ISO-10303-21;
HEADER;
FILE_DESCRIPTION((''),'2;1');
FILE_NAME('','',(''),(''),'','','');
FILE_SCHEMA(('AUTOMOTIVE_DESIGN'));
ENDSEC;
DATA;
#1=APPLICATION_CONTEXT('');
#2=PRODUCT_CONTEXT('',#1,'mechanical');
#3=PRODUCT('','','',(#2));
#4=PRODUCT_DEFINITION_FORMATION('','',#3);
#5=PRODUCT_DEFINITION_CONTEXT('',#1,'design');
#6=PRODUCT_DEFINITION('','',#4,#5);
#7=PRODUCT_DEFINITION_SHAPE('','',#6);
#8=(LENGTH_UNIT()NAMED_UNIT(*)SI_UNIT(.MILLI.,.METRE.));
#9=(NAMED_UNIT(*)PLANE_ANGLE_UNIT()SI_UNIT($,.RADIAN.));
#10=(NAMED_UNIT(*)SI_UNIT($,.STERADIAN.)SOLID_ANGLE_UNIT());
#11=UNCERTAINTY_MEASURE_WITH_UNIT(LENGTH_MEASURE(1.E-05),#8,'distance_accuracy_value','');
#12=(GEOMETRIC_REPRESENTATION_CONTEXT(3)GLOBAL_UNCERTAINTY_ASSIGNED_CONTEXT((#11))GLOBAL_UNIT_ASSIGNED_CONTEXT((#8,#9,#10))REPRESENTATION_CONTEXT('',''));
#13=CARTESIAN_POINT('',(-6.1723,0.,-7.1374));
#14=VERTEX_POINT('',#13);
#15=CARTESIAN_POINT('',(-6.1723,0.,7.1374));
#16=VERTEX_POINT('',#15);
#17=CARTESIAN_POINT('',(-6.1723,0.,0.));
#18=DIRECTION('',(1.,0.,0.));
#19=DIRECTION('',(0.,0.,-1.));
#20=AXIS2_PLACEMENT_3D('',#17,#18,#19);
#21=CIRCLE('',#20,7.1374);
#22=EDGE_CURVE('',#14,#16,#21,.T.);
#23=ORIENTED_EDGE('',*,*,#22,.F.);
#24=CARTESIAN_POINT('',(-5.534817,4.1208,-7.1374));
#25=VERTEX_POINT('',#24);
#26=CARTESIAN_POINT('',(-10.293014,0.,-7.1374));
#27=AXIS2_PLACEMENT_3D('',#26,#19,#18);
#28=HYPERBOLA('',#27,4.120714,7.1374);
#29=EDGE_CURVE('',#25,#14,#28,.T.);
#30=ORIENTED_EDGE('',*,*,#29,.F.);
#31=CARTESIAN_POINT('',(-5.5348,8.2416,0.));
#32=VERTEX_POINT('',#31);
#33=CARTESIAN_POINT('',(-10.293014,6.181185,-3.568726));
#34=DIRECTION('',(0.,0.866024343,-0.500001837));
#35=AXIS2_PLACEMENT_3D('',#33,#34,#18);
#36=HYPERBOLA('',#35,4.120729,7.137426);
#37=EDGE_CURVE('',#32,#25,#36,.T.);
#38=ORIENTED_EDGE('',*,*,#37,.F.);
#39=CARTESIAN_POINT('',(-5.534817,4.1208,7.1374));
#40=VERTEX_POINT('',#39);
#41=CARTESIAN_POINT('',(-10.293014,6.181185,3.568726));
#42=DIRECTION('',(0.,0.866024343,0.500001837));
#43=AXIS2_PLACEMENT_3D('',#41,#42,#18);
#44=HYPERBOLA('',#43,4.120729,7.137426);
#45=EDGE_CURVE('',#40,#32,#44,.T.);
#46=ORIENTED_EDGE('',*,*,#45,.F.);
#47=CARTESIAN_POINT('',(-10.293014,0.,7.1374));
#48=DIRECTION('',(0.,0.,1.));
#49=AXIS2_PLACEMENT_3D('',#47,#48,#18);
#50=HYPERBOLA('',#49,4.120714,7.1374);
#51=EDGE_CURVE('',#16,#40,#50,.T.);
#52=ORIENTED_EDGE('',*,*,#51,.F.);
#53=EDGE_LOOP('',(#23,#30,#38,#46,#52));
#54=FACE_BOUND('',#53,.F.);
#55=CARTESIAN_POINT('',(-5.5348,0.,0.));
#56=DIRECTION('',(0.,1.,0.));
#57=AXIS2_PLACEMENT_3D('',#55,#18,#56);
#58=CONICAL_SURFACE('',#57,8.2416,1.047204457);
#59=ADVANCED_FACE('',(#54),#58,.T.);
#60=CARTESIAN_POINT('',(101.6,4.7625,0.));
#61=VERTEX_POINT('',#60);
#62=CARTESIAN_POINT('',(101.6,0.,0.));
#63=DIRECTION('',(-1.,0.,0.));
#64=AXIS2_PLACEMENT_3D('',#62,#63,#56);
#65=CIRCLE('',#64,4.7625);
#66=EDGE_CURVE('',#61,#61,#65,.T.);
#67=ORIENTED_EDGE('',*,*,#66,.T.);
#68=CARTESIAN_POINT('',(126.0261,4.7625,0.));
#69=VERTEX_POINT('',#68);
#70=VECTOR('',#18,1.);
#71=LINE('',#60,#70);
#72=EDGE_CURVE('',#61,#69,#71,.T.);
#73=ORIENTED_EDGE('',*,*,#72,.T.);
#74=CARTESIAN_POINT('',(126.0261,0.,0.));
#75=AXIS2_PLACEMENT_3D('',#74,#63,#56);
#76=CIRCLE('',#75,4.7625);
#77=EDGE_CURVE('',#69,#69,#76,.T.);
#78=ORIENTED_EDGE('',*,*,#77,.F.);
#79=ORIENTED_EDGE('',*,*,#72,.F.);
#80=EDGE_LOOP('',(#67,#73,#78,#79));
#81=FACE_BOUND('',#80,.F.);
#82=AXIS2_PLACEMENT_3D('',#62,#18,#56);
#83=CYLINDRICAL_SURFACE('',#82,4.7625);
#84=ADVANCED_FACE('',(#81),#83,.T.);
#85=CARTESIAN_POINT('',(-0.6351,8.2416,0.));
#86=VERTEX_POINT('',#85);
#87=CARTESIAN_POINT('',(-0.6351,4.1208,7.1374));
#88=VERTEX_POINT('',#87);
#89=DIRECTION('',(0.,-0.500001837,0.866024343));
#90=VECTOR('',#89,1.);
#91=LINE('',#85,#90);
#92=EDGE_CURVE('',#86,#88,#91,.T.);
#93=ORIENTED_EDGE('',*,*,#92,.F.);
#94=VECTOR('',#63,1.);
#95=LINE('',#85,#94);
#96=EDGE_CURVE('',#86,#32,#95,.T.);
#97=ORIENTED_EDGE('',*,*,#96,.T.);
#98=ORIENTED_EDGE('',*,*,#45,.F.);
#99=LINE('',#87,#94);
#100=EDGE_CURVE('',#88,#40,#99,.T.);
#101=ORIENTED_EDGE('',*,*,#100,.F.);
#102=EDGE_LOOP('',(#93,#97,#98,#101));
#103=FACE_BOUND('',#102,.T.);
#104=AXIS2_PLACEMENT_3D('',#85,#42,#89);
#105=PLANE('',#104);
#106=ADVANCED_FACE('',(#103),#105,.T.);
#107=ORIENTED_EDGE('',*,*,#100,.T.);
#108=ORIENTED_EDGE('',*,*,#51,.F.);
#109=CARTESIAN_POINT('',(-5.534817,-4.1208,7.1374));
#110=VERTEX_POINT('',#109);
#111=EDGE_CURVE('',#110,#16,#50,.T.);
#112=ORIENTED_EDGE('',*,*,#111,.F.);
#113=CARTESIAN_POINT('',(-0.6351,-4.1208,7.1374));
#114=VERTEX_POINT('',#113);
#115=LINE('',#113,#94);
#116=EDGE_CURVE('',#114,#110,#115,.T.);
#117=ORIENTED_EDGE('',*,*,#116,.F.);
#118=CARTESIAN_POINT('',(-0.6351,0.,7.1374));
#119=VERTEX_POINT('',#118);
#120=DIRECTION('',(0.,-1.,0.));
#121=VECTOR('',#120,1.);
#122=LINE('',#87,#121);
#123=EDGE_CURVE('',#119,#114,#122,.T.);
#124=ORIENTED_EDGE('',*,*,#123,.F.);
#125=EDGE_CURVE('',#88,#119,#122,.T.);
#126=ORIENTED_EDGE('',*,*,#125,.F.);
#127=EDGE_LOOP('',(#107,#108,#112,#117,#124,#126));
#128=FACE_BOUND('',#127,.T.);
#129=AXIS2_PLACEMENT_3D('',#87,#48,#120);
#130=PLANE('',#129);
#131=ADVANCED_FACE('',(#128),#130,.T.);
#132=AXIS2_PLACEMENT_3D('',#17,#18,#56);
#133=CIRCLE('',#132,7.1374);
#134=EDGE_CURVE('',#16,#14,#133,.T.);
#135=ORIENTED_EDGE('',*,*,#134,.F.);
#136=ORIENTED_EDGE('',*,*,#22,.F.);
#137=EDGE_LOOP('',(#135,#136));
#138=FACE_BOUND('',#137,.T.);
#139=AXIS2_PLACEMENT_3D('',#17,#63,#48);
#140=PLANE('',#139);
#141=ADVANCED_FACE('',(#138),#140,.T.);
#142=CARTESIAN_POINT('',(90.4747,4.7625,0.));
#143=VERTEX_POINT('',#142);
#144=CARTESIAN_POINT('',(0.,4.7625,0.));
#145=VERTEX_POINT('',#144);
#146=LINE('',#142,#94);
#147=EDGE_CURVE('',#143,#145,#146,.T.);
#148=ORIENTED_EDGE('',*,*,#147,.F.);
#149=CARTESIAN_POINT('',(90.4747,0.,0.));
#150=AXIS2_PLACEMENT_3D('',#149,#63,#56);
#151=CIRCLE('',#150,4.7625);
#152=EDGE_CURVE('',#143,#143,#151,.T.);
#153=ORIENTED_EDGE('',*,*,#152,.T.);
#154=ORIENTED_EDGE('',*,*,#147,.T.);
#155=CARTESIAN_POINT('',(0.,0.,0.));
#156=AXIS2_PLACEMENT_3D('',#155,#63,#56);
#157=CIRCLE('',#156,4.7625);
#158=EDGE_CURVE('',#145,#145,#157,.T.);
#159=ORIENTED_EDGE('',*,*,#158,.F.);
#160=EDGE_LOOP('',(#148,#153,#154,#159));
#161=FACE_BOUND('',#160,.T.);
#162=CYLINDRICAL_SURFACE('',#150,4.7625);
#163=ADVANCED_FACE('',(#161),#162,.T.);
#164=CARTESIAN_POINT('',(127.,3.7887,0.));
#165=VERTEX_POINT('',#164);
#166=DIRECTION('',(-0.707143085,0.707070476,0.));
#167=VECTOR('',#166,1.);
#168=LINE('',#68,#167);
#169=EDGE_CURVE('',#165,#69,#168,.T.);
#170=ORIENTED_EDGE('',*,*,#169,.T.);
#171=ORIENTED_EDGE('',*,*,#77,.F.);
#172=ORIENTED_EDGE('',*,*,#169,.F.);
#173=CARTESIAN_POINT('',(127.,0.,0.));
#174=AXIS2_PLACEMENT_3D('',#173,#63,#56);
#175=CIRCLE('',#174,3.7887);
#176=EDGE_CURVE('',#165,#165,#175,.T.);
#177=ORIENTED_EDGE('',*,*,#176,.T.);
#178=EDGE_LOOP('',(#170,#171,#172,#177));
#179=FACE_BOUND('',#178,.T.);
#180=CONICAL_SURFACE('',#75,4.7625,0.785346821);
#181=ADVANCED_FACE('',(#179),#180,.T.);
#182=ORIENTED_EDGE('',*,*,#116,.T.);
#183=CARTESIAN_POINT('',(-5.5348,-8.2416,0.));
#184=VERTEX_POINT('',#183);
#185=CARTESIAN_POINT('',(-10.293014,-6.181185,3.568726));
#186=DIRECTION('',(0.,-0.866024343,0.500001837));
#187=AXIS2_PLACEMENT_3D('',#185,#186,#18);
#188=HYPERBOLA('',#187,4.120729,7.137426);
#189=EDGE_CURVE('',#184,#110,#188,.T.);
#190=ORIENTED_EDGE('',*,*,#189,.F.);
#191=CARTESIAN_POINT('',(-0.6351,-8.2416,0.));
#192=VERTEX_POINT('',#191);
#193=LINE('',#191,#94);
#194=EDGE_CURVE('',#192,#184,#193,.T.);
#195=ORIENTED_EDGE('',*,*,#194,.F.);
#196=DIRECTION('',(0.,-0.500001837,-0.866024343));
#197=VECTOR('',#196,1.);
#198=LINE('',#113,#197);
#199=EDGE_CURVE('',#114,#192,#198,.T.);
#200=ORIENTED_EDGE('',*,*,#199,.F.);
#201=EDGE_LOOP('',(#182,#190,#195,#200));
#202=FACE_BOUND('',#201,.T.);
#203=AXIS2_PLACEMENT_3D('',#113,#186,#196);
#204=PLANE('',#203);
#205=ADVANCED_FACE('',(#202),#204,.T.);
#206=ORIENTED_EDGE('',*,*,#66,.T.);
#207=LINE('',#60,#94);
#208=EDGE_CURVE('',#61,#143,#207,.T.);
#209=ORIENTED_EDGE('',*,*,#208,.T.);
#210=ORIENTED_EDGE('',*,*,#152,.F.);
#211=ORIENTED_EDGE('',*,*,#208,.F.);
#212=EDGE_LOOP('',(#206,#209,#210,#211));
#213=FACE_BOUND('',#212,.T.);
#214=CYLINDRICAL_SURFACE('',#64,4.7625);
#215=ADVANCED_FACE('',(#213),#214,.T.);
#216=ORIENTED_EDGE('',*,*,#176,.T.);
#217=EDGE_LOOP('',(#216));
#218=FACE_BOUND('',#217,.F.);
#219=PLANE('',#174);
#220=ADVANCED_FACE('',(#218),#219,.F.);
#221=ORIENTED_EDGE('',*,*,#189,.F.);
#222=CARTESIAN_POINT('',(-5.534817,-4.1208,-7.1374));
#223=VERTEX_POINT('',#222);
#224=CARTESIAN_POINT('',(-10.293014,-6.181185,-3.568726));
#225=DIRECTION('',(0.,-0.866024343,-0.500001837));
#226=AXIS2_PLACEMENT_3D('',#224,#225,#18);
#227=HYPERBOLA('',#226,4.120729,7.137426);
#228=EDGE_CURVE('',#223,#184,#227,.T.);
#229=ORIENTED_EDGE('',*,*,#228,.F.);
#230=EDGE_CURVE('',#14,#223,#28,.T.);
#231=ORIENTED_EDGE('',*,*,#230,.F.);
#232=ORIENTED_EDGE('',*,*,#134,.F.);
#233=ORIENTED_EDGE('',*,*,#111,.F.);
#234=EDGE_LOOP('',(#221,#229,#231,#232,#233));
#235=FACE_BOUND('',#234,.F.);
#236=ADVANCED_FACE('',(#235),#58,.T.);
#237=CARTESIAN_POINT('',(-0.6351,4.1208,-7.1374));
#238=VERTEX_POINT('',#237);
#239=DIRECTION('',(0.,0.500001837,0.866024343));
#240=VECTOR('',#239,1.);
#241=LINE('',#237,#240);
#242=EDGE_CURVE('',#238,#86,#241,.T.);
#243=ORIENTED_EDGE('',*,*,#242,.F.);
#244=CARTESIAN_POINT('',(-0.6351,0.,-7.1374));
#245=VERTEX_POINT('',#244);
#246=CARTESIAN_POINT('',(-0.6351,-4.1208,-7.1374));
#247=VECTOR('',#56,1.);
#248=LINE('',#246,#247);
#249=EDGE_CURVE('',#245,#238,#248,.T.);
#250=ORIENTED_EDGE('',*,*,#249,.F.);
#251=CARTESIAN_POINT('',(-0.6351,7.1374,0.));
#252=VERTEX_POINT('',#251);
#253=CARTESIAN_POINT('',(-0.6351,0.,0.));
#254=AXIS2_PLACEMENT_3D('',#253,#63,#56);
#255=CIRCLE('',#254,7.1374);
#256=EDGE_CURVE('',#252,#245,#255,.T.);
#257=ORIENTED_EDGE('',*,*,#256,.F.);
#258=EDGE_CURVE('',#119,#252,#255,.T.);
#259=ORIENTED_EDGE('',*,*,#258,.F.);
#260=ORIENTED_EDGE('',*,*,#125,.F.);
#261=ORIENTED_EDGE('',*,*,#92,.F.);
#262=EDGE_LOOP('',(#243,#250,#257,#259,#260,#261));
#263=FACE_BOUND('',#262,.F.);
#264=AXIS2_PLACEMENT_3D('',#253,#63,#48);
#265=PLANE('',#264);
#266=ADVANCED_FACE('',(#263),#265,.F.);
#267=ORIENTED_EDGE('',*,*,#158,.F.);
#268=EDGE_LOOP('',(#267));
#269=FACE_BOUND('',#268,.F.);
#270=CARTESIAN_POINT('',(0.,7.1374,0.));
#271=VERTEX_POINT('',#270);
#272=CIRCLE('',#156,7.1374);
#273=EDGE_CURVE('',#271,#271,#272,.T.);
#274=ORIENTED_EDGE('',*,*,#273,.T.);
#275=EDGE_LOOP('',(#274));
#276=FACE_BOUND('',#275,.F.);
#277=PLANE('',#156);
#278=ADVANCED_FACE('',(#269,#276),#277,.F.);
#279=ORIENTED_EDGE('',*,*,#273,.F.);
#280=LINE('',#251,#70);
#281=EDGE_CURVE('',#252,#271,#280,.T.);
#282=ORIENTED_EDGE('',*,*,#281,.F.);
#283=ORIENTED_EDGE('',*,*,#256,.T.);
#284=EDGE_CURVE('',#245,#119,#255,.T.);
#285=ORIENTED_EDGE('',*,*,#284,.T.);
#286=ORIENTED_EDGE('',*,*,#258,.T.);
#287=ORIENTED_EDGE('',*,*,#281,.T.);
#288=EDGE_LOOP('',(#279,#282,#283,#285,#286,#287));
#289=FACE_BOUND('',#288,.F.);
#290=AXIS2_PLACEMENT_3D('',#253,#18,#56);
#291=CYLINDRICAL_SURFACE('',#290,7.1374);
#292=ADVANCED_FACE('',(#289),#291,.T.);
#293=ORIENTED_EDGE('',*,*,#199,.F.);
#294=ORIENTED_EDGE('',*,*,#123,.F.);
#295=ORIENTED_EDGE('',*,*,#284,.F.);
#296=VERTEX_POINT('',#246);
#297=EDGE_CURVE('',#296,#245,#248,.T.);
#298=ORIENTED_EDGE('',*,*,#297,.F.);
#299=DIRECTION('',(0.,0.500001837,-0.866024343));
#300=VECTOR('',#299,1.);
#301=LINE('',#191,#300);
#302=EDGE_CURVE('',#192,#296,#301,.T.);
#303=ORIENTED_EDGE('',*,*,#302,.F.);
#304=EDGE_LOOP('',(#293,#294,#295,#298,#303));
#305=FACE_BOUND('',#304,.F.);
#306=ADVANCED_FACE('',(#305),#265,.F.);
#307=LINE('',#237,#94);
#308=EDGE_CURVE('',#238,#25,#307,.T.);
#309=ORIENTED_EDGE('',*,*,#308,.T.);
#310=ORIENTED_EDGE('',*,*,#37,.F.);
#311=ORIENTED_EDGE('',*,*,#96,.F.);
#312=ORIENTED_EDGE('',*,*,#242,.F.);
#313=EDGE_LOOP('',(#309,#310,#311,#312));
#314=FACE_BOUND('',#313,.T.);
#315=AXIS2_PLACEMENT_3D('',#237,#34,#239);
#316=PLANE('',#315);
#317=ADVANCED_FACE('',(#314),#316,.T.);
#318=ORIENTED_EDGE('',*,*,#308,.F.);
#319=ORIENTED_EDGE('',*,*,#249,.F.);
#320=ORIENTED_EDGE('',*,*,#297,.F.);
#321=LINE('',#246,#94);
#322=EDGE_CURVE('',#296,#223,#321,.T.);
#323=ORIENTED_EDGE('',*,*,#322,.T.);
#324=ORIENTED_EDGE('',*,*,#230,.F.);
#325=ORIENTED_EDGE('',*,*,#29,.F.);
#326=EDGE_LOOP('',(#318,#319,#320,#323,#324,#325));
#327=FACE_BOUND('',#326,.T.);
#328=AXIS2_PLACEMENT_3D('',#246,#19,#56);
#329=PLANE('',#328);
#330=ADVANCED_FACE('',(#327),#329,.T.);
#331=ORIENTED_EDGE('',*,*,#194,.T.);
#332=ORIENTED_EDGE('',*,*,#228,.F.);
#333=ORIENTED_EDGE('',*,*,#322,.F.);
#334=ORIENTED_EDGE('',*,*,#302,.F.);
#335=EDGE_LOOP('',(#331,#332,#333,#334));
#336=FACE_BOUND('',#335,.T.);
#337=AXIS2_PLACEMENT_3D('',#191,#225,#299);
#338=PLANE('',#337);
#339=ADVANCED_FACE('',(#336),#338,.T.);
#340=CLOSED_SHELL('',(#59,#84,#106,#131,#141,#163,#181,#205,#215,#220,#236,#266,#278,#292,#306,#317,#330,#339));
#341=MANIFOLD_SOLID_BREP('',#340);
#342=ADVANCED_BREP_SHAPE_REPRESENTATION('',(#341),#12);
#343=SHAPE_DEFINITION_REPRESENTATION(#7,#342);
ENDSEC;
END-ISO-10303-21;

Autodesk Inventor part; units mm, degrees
ref_plane "YZ Plane" through (0, 0, 0) normal (1, 0, 0) x (0, 1, 0)
ref_plane "XZ Plane" through (0, 0, 0) normal (0, 1, 0) x (-1, 0, 0)
sketch "Sketch1" plane through (0, 0, 0) normal (0, 0, 1) x (1, 0, 0)
  line L0 (0, 7.1374) -> (0, 4.7625)
  line L1 (101.6, 4.7625) -> (127, 4.7625)
  line L2 (127, 4.7625) -> (127, 0)
  line L3 (127, 0) -> (-0.6351, 0)
  line L4 (-26.1621, 0) -> (152.527, 0) projected
  line L5 (-0.6351, 0) -> (-0.6351, 7.1374)
  line L6 (-0.6351, 7.1374) -> (0, 7.1374)
  line L7 (101.6, 4.7625) -> (90.4747, 4.7625)
  line L8 (90.4747, 4.7625) -> (0, 4.7625)
  line L9 (0, -1.4275) -> (0, 8.5649) projected
  dimension "d0" = 127
  dimension "d1" = 25.4
  dimension "d2" = 9.525
  dimension "d9" = 0.6351
  dimension "d10" = 14.2748
  dimension "d13" = 11.1253
  dimension "d14" = 9.525
revolve "Body" add sketch "Sketch1" angle 360 about axis through (127, 0, 0) along (-1, 0, 0)
sketch "Sketch2" plane through (-0.6351, 0, 0) normal (-1, 0, 0) x (0, 0, 1)
  line L0 (0, 8.2416) -> (7.1374, 4.1208)
  line L1 (7.1374, 4.1208) -> (7.1374, -4.1208)
  line L2 (7.1374, -4.1208) -> (0, -8.2416)
  line L3 (0, -8.2416) -> (-7.1374, -4.1208)
  line L4 (-7.1374, -4.1208) -> (-7.1374, 4.1208)
  line L5 (-7.1374, 4.1208) -> (0, 8.2416)
  point P0 (0, 0)
  point P1 (0, 0)
  dimension "d11" = 14.2748
extrude "Head" add sketch "Sketch2" along normal blind 5.5372
sketch "Sketch4" plane through (0, 0, 0) normal (0, 0, 1) x (1, 0, 0)
  line L0 (-6.1723, 7.1374) -> (-6.1723, 8.2416)
  line L1 (-6.1723, 8.2416) -> (-5.5348, 8.2416)
  line L2 (-5.5348, 8.2416) -> (-6.1723, 7.1374)
  line L3 (-7.2797, 0) -> (0.4723, 0) projected
  line L4 (-0.6351, 8.2416) -> (-6.1723, 8.2416) projected
  line L5 (-6.1723, 4.1208) -> (-6.1723, 8.2416) projected
  dimension "d5" = 30
  dimension "d19" = 14.2748
revolve "Chamfer1" cut sketch "Sketch4" angle 360 about axis through (-10, 0, 0) along (1, 0, 0)
thread "Thread" size "3/8-16 UNC" class "2A" standard "ANSI Unified Screw Threads" length 25.4
chamfer "Chamfer2" distance 0.9738 distance2 0.9739 1 edges at (127, -4.7625, 0) measured on face at (127, -1.1883, 1.0527)
ref_plane "Work Plane1" through (1.525, 0, 0) normal (0, 0, 1) x (1, 0, 0)
equation "\"d0\" = NLG"
equation "\"d1\" = GEL"
equation "\"d2\" = GD"
equation "\"d10\" = SD2"
equation "\"d14\" = BDM"
equation "\"d11\" = SW"
equation "\"d3\" = KOH - SD"
equation "\"d5\" = ANG1"
equation "\"d19\" = SW0"
equation "\"d15\" = GEL"
equation "\"d6\" = -0.5 * SPD + 0.5 * GD"
equation "\"NLG\" = 127"
equation "\"GD\" = 9.525"
equation "\"BDM\" = 9.525"
equation "\"KOH\" = 6.1722"
equation "\"GEL\" = 25.4"
equation "\"SW\" = 14.2748"
equation "\"SW0\" = SW"
equation "\"SPD\" = GD1"
equation "\"SD2\" = SW"
equation "\"SD\" = 0.635"
equation "\"ANG1\" = 30deg"
equation "\"GAL\" = 11.1252"
equation "\"GUL\" = 0.97384"
equation "\"RR\" = 0.381"
equation "\"WFT\" = SD"
equation "\"GD1\" = 7.57733"
equation "\"THREADDIA\" = 9.525"
equation "\"SDH\" = SW"
equation "\"SDHG\" = 90.4748"
equation "\"TOA\" = 30deg"
equation "\"FAWI\" = 45deg"
equation "\"NND\" = 9.525"
equation "\"E0\" = 16.48739"
properties part number "AS 2465 - 3/8 x 5  UNC" material "Steel, Mild"
